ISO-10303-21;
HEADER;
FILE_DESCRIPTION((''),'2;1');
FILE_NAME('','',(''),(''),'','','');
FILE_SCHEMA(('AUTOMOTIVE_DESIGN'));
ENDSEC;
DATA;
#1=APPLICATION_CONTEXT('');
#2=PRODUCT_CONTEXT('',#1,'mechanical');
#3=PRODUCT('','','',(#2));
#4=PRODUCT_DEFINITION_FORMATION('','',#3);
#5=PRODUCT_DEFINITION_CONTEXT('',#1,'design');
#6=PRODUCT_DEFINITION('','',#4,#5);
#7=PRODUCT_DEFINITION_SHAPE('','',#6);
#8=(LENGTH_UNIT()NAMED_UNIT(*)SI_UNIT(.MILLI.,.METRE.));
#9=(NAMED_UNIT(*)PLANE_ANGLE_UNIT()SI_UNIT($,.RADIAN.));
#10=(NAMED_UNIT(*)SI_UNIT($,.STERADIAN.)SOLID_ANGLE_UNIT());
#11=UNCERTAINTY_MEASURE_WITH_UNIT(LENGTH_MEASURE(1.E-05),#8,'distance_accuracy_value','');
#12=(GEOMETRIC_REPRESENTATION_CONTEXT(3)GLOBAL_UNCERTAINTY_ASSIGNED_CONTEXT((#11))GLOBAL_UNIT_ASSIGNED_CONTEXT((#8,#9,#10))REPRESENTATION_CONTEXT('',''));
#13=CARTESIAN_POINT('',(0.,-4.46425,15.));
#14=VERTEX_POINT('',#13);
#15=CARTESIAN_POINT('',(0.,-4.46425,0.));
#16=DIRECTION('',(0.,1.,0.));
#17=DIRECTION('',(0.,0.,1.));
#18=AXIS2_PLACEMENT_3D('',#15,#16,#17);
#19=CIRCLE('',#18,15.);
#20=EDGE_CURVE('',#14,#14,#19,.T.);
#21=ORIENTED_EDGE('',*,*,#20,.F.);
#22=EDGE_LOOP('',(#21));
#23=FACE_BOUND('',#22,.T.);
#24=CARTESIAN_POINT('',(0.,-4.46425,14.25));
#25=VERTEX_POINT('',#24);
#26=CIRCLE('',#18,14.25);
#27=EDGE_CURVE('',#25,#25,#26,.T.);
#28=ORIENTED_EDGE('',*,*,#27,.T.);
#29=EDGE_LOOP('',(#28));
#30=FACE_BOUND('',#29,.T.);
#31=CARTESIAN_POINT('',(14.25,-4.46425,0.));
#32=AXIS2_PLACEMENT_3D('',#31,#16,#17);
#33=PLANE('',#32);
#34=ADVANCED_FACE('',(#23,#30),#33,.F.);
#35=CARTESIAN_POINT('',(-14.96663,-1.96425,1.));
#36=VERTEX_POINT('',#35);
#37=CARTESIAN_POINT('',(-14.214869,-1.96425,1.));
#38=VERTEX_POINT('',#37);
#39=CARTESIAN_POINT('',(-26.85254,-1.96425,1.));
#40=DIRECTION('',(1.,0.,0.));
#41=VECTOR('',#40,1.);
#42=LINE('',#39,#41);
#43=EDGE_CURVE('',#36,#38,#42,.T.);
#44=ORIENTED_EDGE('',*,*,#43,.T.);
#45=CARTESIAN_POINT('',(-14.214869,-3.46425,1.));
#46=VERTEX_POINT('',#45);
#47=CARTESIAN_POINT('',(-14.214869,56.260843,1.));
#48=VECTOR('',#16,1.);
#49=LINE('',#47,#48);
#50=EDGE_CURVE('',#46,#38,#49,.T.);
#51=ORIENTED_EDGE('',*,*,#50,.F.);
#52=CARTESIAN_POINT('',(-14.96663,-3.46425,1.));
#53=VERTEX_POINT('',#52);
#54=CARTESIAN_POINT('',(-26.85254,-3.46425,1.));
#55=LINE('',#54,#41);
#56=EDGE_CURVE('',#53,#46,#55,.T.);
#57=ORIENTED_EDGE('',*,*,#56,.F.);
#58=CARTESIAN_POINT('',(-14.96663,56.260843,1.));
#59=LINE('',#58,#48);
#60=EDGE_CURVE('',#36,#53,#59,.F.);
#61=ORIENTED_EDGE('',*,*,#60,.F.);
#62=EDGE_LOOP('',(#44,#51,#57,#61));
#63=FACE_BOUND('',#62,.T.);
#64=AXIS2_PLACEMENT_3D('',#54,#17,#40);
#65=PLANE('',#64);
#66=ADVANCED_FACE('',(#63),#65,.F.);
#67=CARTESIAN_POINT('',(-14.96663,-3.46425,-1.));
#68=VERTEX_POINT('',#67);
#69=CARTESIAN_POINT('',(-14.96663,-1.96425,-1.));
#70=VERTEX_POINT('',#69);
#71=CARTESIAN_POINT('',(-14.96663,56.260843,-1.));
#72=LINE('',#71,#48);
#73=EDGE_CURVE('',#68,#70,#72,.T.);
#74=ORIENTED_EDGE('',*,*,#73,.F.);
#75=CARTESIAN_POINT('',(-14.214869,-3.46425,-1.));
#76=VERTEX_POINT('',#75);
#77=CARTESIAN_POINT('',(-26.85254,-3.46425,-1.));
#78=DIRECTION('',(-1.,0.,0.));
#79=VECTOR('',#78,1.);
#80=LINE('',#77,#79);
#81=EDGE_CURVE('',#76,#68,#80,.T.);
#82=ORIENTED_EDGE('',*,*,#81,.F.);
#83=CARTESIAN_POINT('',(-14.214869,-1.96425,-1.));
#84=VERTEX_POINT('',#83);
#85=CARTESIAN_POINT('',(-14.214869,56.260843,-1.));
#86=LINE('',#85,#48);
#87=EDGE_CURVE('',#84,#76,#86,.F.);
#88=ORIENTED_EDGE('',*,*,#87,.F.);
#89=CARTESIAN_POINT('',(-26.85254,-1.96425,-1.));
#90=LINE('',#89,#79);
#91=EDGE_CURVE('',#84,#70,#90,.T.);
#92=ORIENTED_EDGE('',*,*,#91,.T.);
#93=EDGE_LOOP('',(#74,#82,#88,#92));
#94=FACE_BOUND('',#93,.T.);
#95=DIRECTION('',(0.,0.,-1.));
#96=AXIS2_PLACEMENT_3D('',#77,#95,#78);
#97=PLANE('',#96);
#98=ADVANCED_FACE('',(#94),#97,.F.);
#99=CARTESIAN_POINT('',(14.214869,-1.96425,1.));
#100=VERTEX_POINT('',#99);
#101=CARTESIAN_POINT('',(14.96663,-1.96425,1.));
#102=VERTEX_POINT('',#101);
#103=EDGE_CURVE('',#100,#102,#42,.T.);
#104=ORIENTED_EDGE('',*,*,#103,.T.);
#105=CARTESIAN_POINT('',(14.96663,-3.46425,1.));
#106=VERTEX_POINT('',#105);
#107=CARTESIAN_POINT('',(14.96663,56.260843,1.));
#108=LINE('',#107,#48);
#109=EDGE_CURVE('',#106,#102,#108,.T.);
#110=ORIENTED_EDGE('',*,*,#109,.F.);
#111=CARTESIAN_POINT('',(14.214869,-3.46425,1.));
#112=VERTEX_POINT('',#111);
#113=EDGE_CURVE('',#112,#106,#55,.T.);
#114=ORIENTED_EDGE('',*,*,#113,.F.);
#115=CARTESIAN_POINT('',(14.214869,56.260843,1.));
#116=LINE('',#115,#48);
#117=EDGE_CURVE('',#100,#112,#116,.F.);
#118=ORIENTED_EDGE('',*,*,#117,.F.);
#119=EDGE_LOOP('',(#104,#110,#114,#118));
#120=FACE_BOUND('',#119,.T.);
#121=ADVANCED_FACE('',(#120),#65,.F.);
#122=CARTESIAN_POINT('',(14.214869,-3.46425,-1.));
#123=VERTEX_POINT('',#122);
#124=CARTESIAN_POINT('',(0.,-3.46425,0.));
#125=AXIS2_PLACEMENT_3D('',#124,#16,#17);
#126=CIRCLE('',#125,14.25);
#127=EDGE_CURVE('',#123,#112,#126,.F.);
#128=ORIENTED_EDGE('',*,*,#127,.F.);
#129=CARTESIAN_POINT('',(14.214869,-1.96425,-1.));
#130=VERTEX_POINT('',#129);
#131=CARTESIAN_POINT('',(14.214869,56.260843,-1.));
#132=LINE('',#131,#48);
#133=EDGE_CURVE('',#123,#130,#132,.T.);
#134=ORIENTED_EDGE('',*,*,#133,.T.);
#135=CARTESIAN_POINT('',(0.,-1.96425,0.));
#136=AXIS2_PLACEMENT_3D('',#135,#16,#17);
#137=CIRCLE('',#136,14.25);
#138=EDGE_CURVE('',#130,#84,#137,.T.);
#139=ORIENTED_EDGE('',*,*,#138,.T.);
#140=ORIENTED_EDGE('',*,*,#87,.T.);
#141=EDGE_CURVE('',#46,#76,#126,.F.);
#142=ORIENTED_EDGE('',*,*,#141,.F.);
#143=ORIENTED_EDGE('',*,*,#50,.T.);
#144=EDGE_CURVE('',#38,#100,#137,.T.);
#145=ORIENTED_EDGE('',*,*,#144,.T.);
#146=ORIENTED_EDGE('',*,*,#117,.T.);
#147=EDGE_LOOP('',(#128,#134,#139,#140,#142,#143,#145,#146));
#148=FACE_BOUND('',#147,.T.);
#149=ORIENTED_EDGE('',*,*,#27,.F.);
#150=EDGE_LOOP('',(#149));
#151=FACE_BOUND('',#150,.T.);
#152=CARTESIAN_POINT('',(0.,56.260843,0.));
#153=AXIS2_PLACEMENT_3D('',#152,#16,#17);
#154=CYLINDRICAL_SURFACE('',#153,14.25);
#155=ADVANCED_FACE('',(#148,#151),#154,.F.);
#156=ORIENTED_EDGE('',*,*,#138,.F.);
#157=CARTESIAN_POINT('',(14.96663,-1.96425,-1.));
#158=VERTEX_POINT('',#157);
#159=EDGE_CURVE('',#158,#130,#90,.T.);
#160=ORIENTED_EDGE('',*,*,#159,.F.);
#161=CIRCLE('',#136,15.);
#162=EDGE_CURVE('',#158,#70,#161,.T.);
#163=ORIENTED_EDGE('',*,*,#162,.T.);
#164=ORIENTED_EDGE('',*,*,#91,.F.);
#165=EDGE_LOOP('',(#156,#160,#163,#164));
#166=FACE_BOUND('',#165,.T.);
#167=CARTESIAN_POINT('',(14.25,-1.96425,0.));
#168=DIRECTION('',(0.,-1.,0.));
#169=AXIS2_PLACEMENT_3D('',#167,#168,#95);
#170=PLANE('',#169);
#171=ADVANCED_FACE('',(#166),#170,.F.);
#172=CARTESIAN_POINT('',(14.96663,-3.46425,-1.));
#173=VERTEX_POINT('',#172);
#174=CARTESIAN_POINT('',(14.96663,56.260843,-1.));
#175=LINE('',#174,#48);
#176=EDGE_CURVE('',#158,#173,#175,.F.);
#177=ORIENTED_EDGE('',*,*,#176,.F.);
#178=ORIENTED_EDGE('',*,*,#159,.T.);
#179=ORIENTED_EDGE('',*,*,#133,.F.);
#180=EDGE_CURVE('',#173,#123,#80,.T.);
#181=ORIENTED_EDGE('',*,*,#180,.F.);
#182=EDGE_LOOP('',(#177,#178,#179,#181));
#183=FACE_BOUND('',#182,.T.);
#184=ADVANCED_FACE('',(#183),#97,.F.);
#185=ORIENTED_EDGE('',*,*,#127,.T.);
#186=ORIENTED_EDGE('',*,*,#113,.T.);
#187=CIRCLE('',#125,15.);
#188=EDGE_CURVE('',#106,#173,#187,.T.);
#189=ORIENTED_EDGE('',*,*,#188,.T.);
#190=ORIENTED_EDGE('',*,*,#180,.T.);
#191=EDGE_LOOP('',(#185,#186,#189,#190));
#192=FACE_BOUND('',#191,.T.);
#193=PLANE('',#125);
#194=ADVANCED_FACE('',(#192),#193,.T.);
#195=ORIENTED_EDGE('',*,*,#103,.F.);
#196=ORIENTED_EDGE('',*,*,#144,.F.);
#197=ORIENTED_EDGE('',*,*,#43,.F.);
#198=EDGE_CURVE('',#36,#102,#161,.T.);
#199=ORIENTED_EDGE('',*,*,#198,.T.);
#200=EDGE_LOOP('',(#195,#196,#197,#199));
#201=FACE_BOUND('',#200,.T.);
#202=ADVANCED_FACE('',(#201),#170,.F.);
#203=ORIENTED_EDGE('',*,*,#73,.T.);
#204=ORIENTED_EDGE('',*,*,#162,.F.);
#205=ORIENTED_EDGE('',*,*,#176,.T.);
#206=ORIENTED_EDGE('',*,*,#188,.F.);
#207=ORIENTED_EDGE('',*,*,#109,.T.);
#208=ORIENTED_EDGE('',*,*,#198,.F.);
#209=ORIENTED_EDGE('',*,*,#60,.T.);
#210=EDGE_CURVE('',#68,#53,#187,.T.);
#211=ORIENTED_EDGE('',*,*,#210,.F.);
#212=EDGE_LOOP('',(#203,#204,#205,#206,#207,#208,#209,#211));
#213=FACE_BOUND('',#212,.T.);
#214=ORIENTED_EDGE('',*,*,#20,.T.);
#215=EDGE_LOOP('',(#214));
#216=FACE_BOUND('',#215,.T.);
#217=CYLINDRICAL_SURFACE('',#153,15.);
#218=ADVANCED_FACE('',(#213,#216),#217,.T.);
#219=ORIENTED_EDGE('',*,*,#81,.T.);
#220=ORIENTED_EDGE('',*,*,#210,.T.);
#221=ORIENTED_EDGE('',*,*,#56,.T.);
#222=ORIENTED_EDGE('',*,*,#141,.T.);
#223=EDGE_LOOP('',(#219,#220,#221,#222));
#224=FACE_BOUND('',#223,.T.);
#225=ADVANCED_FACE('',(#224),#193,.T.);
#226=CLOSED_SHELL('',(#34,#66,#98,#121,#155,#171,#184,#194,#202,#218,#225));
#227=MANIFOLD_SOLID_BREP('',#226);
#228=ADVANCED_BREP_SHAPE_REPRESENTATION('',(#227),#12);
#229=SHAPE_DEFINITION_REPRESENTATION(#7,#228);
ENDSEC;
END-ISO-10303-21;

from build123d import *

# Parameters (mm, degrees)
SKETCH_1_W          = 0.75
SKETCH_1_H          = 2.5
SKETCH_2_W          = 53.705080546
SKETCH_2_H          = 2
CUT_EXTRUDE_1_DEPTH = 1.5


with BuildPart() as part:
    # 草图1 → 旋转1 (revolve)
    with BuildSketch(Plane.XY, mode=Mode.PRIVATE) as revolve_1_sk:
        with Locations((14.625, -3.214249787)):
            Rectangle(SKETCH_1_W, SKETCH_1_H)
    revolve(revolve_1_sk.sketch.rotate(Axis((0, 56.260842627, 0), (0, -1, 0)), 90), axis=Axis((0, 56.260842627, 0), (0, -1, 0)))  # turned: the seam where the file's is

    # 草图2 → 切除-拉伸1 (cut)
    with BuildSketch(Plane(origin=(0, -1.964249787, 0), x_dir=(1, 0, 0), z_dir=(0, 1, 0))):
        Rectangle(SKETCH_2_W, SKETCH_2_H)
    extrude(amount=-CUT_EXTRUDE_1_DEPTH, mode=Mode.SUBTRACT)


solid = part.part
